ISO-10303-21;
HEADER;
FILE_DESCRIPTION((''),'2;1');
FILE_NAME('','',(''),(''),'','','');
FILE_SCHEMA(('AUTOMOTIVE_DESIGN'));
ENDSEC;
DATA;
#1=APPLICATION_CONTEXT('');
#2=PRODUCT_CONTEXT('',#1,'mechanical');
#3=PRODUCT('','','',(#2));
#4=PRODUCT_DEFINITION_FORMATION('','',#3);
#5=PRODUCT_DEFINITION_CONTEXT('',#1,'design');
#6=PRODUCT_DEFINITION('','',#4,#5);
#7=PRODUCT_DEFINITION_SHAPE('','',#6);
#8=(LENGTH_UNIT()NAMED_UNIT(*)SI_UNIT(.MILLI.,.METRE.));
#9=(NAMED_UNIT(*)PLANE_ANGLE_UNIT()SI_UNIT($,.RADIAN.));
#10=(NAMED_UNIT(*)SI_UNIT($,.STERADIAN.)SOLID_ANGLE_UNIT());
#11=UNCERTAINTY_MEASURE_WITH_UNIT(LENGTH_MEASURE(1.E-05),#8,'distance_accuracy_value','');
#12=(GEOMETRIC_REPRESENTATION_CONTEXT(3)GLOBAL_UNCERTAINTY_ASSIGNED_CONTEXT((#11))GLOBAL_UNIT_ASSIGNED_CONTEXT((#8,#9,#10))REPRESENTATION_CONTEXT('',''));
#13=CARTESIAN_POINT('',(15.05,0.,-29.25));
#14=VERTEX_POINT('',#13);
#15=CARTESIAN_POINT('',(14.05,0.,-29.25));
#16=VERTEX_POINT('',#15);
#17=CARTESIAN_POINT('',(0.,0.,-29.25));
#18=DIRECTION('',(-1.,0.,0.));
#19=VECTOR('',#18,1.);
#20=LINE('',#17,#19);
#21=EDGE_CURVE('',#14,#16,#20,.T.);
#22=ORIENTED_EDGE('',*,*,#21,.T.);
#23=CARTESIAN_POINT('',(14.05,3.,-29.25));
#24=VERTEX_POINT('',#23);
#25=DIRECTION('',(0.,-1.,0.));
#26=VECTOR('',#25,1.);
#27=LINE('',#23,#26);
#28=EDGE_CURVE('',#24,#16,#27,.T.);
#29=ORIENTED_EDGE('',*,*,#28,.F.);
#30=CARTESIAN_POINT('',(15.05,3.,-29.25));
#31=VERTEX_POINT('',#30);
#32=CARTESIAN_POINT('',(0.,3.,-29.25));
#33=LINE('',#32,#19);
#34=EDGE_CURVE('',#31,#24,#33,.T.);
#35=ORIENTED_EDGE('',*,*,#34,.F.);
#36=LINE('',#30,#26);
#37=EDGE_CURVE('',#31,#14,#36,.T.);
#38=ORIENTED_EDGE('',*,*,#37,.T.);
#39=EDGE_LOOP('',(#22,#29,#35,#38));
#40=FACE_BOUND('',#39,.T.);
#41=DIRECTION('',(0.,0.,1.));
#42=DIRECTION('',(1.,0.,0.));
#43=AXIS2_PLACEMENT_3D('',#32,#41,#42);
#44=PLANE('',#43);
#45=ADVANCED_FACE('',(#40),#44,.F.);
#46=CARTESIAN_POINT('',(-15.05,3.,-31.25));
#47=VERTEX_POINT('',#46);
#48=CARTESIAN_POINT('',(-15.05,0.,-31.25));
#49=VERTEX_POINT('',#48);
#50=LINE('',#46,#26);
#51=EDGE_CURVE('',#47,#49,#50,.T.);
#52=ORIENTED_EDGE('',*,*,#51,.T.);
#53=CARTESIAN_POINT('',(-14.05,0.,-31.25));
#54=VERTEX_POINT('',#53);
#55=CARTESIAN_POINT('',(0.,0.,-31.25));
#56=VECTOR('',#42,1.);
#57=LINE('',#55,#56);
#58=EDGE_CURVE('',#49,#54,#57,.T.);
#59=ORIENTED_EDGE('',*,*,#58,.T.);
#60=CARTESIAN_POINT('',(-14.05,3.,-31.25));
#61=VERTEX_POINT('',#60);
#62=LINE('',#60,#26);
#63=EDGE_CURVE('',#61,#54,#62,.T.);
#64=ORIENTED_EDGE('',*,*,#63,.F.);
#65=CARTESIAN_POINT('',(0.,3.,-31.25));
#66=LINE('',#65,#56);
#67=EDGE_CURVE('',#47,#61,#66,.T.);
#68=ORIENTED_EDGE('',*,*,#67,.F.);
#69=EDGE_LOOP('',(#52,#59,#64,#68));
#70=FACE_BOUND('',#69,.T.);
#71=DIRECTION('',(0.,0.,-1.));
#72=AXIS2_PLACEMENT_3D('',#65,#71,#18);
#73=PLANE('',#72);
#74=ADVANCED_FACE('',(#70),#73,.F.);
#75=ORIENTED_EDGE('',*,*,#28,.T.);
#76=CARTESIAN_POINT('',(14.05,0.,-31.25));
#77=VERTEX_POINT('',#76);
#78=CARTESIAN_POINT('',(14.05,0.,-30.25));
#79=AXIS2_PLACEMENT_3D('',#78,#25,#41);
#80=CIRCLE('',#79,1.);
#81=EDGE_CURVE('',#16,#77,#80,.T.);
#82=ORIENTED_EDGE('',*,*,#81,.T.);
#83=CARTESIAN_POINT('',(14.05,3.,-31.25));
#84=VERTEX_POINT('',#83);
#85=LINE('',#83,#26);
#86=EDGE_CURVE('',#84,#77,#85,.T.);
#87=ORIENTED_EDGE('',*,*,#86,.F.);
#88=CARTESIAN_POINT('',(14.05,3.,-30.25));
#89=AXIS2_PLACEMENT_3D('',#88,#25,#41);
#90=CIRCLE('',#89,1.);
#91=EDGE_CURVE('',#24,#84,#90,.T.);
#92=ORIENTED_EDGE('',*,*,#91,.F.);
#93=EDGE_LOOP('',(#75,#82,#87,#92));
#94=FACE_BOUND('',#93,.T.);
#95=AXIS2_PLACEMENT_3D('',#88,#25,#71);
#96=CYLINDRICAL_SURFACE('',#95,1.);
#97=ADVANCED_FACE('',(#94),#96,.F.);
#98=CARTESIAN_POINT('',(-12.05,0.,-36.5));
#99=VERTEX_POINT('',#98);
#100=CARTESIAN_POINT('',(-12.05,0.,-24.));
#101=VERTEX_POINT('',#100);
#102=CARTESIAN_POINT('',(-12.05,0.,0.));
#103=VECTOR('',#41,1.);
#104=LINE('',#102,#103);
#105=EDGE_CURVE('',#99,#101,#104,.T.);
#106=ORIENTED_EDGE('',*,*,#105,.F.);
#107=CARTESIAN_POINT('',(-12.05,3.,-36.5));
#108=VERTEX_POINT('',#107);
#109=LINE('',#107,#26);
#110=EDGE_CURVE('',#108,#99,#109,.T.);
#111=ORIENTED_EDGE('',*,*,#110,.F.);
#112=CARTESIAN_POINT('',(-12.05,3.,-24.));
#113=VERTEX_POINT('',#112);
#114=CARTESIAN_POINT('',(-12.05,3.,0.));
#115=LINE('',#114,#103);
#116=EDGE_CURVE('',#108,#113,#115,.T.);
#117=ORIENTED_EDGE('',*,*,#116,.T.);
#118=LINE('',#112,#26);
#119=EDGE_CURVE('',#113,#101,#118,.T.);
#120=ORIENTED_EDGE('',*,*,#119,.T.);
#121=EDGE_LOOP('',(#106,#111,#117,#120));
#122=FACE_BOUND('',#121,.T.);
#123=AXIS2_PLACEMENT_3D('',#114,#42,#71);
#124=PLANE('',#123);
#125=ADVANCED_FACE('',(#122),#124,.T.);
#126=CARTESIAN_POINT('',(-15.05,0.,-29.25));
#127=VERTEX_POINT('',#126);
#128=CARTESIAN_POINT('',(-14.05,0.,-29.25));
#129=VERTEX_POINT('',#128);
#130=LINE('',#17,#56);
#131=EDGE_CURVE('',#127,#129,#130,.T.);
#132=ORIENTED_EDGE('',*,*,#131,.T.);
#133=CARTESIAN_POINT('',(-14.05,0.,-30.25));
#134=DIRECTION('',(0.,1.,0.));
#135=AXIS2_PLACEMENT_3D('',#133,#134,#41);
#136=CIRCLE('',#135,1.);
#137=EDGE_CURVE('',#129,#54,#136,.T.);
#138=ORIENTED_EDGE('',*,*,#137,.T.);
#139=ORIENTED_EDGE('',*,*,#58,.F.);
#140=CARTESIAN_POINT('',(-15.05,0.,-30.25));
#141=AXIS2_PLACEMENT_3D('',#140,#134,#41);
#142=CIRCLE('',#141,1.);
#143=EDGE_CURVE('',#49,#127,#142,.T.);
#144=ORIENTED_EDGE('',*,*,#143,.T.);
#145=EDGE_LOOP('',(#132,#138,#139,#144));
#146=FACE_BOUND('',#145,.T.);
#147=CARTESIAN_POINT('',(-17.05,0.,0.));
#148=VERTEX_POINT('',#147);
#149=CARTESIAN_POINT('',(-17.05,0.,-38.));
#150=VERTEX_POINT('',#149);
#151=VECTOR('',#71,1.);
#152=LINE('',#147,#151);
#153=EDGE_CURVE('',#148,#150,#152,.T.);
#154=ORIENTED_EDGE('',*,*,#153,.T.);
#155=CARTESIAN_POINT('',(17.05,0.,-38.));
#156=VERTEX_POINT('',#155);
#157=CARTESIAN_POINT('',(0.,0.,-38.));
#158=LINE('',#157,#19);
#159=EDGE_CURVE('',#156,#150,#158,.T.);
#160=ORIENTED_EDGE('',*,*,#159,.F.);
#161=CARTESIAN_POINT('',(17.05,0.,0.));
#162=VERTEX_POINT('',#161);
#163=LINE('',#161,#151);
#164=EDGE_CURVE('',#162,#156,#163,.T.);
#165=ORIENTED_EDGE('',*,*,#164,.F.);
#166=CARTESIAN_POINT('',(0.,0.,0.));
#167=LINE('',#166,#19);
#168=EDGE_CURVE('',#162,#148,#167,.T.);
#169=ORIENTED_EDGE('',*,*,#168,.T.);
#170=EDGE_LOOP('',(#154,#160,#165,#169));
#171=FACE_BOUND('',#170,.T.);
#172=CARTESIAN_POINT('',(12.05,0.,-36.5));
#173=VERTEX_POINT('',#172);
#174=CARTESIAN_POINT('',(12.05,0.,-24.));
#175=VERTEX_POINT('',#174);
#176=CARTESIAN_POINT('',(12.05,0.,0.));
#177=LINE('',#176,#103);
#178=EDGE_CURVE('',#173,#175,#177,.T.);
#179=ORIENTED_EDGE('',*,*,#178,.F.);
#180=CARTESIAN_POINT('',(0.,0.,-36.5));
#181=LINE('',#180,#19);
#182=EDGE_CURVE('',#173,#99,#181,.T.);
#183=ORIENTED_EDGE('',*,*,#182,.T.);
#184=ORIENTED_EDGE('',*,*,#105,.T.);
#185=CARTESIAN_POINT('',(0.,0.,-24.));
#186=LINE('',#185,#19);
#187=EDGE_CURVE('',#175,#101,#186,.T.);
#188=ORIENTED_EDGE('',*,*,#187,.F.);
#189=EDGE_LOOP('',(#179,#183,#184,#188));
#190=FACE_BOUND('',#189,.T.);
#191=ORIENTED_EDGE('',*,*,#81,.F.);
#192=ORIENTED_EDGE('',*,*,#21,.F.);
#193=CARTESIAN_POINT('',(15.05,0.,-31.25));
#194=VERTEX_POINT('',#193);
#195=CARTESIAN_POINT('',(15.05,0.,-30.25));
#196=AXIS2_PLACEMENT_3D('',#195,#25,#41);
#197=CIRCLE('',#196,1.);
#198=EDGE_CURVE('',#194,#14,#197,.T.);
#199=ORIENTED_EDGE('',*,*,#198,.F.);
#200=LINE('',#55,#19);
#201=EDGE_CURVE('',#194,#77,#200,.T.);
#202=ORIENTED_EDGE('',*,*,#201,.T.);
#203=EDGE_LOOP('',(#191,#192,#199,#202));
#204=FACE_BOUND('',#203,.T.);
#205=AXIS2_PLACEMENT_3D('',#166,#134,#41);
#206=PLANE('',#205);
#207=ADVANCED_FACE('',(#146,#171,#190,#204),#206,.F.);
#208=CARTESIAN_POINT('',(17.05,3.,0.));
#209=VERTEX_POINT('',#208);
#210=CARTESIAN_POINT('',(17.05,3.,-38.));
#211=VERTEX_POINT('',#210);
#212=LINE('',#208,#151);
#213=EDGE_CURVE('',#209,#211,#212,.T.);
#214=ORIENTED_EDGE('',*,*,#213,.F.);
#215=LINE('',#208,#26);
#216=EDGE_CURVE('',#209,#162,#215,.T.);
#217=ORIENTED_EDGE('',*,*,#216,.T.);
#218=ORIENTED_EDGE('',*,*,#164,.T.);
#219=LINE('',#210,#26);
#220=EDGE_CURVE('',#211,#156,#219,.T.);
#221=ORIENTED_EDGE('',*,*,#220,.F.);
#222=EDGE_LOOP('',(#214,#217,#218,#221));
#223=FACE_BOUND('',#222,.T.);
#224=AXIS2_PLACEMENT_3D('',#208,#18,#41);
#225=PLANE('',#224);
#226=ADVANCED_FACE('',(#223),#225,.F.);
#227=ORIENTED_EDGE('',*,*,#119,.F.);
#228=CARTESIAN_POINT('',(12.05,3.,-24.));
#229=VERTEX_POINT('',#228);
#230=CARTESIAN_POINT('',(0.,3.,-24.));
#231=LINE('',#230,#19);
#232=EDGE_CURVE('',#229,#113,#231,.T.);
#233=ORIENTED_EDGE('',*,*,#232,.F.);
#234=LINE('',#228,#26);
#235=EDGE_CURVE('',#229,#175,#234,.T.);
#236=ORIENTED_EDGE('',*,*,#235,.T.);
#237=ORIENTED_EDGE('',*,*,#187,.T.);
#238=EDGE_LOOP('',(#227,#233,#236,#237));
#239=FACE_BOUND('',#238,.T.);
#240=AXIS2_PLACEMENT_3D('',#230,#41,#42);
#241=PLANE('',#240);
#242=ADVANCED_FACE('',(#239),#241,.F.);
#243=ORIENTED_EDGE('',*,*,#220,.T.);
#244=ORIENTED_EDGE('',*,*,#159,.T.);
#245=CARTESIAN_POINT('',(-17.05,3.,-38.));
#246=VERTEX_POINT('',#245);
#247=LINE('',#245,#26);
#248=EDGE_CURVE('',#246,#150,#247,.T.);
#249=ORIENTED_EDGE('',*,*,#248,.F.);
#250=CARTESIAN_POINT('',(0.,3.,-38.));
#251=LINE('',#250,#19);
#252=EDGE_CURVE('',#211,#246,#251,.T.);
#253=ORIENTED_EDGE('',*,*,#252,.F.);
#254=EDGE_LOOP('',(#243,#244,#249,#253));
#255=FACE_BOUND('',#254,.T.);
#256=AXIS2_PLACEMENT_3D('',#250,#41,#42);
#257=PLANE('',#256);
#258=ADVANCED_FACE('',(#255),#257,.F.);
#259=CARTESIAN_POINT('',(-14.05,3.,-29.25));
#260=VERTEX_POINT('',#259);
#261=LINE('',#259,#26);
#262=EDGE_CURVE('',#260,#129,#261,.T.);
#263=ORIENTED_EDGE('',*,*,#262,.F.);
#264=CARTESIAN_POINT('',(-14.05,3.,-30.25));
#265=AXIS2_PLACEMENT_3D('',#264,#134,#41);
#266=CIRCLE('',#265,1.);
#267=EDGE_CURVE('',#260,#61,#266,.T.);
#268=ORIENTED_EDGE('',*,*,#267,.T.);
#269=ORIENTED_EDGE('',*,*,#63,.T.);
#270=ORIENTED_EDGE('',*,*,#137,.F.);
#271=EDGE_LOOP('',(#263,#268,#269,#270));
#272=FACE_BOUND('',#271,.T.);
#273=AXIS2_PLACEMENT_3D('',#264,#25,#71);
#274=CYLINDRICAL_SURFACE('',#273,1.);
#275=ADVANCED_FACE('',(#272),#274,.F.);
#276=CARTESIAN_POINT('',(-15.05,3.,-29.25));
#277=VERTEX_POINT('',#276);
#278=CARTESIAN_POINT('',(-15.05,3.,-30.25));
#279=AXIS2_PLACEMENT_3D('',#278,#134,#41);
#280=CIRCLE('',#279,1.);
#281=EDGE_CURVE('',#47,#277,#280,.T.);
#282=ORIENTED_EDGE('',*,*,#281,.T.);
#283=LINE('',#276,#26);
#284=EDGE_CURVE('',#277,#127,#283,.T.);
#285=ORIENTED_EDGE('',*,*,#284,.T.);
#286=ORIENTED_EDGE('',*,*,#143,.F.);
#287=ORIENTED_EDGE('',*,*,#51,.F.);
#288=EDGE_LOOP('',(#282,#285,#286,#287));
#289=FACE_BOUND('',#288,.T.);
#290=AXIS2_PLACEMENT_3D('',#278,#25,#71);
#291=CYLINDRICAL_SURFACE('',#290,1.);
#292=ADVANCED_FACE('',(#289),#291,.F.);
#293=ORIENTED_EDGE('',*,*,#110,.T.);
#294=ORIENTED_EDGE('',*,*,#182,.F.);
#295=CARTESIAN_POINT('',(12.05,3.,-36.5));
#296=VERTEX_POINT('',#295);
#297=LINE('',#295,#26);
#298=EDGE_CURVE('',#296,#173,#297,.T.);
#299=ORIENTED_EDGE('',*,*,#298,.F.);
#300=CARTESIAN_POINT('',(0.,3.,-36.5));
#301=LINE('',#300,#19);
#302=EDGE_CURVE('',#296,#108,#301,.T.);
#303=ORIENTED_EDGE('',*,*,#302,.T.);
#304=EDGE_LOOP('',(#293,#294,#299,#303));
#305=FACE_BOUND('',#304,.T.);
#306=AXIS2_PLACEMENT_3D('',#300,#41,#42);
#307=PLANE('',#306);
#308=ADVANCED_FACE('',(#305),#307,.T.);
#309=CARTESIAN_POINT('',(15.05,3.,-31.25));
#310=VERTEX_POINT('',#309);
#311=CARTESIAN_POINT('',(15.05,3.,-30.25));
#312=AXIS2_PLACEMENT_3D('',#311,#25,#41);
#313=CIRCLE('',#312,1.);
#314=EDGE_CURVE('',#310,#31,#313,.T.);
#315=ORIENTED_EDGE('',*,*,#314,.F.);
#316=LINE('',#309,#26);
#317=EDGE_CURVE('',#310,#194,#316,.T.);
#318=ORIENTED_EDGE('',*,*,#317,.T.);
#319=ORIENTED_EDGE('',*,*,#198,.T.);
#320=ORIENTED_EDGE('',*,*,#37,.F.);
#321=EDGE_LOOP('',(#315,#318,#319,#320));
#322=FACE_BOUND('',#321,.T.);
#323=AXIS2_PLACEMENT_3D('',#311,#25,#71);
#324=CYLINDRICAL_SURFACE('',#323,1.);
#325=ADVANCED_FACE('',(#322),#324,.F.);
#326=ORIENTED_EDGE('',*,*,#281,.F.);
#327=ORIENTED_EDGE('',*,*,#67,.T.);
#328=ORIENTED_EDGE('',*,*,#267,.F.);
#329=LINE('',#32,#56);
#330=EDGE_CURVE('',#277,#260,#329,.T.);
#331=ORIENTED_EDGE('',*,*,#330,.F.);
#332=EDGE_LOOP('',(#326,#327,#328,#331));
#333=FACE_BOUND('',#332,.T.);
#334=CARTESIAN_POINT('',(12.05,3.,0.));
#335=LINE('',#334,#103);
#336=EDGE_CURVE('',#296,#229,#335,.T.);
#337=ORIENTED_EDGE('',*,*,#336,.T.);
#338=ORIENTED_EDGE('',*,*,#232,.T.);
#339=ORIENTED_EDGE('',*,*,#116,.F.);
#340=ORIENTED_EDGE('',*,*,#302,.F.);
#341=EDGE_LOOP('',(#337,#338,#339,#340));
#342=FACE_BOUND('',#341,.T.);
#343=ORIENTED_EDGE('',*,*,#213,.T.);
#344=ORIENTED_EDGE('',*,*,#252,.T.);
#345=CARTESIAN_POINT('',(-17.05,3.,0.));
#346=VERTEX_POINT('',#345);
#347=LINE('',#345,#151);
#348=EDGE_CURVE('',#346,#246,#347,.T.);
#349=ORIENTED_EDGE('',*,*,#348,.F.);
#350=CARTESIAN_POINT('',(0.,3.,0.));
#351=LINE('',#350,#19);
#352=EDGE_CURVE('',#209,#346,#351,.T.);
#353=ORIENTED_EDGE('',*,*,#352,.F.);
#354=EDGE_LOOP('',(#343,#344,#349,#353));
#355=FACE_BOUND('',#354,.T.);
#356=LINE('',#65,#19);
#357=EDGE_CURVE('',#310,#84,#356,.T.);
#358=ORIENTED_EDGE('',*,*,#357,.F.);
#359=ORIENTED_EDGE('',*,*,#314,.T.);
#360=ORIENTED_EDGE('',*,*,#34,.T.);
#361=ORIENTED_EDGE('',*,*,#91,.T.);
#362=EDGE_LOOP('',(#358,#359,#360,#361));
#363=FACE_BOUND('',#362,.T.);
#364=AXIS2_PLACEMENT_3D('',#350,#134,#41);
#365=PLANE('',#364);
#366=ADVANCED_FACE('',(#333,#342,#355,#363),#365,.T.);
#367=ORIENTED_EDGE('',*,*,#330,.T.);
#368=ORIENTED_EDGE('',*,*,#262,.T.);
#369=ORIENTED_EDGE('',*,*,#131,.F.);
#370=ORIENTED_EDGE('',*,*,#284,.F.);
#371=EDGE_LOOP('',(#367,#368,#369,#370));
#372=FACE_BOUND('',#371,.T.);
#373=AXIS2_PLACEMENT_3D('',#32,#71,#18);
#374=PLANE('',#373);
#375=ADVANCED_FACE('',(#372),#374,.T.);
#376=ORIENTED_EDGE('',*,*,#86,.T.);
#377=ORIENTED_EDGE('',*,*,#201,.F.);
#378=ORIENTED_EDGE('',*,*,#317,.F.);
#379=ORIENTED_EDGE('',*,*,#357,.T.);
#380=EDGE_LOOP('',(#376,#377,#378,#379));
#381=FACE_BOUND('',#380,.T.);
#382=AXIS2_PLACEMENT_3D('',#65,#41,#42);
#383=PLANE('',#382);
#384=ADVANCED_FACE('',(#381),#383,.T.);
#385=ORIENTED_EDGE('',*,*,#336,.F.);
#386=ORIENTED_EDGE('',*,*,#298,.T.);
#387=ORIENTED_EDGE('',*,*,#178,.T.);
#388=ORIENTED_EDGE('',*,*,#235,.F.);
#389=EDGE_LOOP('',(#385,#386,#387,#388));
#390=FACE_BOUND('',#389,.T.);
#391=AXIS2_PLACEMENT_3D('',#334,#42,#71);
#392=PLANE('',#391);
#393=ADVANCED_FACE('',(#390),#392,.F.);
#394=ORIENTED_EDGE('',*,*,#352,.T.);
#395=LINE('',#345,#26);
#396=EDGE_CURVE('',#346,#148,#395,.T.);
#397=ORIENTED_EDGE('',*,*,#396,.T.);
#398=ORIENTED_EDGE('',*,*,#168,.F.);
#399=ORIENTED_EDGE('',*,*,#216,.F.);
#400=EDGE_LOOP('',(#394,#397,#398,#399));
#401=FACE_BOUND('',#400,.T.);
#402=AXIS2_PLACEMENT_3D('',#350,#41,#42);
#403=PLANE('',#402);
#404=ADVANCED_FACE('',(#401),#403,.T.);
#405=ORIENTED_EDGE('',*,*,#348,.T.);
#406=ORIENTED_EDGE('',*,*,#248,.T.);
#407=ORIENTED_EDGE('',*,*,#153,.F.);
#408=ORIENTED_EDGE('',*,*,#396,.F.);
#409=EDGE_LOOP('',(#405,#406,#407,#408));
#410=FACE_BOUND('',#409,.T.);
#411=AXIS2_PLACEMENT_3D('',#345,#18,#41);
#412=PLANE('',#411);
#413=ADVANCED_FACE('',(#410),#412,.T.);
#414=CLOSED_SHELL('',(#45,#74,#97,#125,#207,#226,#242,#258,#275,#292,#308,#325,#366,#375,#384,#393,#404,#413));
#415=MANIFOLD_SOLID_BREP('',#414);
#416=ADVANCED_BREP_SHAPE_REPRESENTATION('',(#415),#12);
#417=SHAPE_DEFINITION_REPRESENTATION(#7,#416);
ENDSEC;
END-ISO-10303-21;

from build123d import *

# Parameters (mm, degrees)
BOSS_EXTRU_1_DEPTH = 3


with BuildPart() as part:
    # Esquisse1 → Boss.-Extru.1 (new body)
    with BuildSketch(Plane(origin=(0, 0, 0), x_dir=(1, 0, 0), z_dir=(0, 1, 0))):
        Polygon((-12.05, 36.5), (0, 36.5), (0, 38), (-17.05, 38), (-17.05, 0), (0, 0), (0, 24), (-12.05, 24), align=None)
        with BuildLine():
            ThreePointArc((-15.05, 29.25), (-16.05, 30.25), (-15.05, 31.25))
            Line((-15.05, 31.25), (-14.05, 31.25))
            ThreePointArc((-14.05, 31.25), (-13.05, 30.25), (-14.05, 29.25))
            Line((-14.05, 29.25), (-15.05, 29.25))
        make_face(mode=Mode.SUBTRACT)
    boss_extru_1 = extrude(amount=BOSS_EXTRU_1_DEPTH)

    # Symétrie1: Boss.-Extru.1 across plane
    add(boss_extru_1.mirror(Plane(origin=(0, 3, 0), x_dir=(0, 0, 1), z_dir=(-1, 0, 0))))


solid = part.part
